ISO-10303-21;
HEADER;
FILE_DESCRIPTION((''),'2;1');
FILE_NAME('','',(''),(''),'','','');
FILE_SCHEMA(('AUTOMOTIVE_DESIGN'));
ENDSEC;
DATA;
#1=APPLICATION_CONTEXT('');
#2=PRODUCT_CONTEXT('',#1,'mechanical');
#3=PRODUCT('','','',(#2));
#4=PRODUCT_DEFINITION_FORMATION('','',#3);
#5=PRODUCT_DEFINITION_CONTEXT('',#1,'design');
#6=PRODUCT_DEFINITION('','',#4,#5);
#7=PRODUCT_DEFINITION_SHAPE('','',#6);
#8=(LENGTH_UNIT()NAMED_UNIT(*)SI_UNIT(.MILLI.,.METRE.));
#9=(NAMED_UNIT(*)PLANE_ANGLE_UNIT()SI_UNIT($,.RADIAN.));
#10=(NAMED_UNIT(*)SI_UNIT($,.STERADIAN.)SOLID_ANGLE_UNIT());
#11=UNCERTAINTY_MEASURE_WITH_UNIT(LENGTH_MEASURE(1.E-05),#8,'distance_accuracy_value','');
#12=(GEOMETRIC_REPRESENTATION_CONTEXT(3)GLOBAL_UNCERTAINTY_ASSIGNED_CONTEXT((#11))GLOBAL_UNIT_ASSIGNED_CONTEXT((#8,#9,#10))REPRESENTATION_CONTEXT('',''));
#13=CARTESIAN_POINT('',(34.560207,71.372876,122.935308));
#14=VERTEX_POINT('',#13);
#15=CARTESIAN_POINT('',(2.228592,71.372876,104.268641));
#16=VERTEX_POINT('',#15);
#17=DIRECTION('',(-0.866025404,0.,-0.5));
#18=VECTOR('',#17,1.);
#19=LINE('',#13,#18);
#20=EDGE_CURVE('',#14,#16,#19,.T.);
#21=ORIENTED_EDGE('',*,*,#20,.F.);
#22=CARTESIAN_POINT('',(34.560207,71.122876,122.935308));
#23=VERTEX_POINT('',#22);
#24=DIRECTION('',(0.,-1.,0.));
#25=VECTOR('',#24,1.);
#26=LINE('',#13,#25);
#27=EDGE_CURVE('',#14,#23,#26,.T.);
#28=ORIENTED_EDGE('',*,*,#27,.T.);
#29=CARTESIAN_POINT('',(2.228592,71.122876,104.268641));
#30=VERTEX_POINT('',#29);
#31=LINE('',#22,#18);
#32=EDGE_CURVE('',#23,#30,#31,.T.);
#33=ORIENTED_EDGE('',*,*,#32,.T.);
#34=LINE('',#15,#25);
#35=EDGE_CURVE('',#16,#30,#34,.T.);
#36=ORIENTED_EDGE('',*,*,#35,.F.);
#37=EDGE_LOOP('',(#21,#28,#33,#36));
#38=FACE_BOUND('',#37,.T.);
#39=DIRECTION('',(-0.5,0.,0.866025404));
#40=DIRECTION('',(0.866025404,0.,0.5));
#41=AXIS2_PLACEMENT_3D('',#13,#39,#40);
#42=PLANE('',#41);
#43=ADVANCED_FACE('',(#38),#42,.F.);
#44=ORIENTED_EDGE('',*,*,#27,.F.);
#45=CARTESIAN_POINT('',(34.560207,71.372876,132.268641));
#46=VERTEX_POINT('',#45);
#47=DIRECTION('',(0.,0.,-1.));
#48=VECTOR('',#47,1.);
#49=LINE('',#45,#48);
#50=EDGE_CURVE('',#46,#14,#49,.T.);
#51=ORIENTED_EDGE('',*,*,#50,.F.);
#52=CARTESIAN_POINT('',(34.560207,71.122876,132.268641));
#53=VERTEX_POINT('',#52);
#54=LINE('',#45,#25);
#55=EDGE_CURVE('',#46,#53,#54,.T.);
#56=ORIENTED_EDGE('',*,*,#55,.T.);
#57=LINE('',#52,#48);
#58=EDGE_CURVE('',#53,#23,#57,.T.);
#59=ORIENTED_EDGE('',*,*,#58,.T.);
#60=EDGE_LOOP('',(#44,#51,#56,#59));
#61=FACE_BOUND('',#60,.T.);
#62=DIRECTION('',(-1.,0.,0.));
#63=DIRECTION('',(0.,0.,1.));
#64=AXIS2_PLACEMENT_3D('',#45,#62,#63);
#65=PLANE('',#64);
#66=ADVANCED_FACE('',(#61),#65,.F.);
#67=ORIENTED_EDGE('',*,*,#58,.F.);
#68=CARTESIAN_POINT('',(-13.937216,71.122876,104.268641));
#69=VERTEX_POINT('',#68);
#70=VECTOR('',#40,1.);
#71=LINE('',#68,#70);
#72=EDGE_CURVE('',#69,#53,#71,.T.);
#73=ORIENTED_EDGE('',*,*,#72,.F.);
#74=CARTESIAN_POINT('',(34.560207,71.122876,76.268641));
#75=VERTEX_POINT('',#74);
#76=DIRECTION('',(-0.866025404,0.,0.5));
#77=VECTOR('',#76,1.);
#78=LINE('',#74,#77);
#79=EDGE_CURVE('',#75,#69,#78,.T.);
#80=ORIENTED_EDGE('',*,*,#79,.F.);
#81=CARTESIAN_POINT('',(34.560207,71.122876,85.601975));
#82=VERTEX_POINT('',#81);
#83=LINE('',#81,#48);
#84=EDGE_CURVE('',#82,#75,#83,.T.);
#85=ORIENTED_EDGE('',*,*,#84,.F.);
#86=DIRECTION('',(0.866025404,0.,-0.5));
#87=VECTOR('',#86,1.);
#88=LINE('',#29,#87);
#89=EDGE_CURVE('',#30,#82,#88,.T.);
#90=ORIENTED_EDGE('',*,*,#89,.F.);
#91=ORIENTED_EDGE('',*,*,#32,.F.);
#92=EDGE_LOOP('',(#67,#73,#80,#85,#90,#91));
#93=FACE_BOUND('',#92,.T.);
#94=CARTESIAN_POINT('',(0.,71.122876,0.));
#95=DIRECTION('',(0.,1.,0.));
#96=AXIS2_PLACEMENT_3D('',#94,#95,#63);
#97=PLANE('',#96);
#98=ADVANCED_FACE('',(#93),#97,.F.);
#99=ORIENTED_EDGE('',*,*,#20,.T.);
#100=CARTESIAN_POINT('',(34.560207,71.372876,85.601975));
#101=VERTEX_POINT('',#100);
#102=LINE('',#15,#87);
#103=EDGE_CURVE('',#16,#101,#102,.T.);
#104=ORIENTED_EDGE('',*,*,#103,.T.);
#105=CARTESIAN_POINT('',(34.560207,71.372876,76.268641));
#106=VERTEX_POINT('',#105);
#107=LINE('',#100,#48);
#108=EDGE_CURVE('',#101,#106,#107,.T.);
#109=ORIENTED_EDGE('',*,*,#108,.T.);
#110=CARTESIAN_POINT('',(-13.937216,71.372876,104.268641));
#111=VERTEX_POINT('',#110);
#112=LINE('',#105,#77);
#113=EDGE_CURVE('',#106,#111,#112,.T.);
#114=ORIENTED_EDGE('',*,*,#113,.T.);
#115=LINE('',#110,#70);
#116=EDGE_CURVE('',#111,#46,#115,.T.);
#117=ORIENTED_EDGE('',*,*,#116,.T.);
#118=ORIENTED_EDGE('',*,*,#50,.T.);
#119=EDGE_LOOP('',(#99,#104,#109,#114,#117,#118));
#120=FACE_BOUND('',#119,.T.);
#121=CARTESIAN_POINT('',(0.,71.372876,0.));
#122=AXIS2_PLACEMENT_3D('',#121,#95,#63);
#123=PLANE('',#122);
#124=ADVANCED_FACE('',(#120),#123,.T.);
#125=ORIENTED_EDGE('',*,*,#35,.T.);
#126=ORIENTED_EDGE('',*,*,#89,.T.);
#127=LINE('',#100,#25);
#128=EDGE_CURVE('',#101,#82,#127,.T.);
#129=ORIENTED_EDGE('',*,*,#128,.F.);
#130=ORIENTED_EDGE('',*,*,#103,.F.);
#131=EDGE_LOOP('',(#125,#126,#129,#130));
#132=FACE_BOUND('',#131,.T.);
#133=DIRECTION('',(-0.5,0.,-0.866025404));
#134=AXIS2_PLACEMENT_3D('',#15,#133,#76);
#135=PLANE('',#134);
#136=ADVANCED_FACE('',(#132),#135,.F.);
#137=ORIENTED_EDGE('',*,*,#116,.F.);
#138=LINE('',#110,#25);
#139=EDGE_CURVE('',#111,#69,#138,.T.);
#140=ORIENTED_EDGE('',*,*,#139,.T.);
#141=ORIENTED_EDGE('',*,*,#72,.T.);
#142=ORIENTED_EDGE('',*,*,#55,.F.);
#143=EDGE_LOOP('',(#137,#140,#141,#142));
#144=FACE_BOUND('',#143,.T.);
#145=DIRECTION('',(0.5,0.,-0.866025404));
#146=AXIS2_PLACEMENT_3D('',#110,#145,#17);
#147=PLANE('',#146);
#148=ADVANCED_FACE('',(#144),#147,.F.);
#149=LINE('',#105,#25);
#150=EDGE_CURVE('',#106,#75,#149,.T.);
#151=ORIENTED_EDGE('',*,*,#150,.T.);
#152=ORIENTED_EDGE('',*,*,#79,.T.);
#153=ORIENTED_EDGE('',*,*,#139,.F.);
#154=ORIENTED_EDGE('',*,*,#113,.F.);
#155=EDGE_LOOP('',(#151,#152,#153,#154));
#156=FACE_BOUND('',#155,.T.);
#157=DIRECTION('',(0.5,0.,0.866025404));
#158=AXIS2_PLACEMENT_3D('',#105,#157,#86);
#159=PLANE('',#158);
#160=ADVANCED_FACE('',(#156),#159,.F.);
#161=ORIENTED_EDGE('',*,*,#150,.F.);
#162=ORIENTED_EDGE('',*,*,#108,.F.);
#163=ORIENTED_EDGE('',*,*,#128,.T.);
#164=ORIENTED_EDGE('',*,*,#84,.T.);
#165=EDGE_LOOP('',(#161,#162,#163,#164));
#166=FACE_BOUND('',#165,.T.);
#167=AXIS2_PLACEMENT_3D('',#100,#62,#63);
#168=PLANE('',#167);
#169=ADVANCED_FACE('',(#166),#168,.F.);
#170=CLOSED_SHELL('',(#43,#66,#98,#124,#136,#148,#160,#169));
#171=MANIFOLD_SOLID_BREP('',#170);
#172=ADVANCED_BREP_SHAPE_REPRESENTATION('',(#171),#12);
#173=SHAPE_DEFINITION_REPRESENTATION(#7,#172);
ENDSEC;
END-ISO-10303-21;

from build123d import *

# Parameters (mm, degrees)
BOSS_EXTRUDE1_DEPTH = 0.25


with BuildPart() as part:
    # Sketch1 → Boss-Extrude1 (new body)
    with BuildSketch(Plane(origin=(0, 71.122875922, 0), x_dir=(1, 0, 0), z_dir=(0, 1, 0))):
        Polygon((34.560206588, -76.268641397), (-13.937216024, -104.268641397), (34.560206588, -132.268641397), (34.560206588, -122.935308064), (2.228591513, -104.268641397), (34.560206588, -85.60197473), align=None)
    extrude(amount=BOSS_EXTRUDE1_DEPTH)


solid = part.part
